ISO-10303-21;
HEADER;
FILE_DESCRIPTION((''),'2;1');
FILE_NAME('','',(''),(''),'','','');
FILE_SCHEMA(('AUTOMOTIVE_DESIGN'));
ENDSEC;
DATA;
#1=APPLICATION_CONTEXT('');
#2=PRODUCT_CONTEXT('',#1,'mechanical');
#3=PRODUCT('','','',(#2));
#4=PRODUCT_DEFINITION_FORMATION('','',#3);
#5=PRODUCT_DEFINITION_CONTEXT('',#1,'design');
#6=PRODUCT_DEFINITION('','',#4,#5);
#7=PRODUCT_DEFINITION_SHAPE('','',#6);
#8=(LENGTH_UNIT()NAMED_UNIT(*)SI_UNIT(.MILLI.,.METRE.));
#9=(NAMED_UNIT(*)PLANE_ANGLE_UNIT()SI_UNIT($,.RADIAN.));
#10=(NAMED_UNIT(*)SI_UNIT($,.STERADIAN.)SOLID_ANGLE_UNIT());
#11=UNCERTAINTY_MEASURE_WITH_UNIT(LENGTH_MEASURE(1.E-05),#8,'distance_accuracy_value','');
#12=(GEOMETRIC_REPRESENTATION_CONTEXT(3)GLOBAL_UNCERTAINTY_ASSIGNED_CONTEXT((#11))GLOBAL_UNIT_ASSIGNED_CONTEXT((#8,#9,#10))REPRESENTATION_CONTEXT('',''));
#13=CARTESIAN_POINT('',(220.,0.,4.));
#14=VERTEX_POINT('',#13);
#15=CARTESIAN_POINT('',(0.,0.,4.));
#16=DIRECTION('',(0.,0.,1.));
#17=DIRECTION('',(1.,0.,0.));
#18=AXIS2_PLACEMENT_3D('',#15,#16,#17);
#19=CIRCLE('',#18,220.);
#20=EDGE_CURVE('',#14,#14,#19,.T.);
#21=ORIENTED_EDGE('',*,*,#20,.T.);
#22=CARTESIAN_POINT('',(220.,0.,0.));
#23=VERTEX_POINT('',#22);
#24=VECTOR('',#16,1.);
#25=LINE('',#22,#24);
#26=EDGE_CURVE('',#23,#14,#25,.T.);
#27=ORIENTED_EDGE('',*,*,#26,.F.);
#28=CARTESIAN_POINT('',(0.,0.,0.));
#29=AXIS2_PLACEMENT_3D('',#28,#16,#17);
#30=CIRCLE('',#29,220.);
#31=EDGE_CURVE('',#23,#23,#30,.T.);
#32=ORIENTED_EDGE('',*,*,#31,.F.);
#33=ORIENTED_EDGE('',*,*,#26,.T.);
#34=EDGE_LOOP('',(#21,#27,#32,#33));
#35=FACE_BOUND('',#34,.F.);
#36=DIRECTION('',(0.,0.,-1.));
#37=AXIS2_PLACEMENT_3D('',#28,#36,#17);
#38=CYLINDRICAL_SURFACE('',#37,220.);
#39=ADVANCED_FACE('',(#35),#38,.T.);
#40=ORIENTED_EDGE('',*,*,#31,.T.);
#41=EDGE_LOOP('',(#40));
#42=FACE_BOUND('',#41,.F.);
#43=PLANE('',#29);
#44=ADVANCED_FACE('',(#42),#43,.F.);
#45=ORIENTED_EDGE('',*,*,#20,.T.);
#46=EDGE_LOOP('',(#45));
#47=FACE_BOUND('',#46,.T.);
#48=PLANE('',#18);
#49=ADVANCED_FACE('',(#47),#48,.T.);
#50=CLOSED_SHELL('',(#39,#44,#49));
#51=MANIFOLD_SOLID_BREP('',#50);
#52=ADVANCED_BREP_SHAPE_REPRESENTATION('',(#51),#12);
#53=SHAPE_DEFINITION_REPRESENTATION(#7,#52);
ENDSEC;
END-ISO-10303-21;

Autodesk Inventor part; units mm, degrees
ref_plane "YZ Plane" through (0, 0, 0) normal (1, 0, 0) x (0, 1, 0)
ref_plane "XZ Plane" through (0, 0, 0) normal (0, 1, 0) x (-1, 0, 0)
ref_plane "XY Plane" through (0, 0, 0) normal (0, 0, 1) x (1, 0, 0)
sketch "Sketch1" plane through (0, 0, 0) normal (0, 0, 1) x (1, 0, 0)
  circle A0 centre (0, 0) radius 220
  dimension "d0" = 440
extrude "Extrusion1" add sketch "Sketch1" along normal blind 4
properties part number "layer2"
